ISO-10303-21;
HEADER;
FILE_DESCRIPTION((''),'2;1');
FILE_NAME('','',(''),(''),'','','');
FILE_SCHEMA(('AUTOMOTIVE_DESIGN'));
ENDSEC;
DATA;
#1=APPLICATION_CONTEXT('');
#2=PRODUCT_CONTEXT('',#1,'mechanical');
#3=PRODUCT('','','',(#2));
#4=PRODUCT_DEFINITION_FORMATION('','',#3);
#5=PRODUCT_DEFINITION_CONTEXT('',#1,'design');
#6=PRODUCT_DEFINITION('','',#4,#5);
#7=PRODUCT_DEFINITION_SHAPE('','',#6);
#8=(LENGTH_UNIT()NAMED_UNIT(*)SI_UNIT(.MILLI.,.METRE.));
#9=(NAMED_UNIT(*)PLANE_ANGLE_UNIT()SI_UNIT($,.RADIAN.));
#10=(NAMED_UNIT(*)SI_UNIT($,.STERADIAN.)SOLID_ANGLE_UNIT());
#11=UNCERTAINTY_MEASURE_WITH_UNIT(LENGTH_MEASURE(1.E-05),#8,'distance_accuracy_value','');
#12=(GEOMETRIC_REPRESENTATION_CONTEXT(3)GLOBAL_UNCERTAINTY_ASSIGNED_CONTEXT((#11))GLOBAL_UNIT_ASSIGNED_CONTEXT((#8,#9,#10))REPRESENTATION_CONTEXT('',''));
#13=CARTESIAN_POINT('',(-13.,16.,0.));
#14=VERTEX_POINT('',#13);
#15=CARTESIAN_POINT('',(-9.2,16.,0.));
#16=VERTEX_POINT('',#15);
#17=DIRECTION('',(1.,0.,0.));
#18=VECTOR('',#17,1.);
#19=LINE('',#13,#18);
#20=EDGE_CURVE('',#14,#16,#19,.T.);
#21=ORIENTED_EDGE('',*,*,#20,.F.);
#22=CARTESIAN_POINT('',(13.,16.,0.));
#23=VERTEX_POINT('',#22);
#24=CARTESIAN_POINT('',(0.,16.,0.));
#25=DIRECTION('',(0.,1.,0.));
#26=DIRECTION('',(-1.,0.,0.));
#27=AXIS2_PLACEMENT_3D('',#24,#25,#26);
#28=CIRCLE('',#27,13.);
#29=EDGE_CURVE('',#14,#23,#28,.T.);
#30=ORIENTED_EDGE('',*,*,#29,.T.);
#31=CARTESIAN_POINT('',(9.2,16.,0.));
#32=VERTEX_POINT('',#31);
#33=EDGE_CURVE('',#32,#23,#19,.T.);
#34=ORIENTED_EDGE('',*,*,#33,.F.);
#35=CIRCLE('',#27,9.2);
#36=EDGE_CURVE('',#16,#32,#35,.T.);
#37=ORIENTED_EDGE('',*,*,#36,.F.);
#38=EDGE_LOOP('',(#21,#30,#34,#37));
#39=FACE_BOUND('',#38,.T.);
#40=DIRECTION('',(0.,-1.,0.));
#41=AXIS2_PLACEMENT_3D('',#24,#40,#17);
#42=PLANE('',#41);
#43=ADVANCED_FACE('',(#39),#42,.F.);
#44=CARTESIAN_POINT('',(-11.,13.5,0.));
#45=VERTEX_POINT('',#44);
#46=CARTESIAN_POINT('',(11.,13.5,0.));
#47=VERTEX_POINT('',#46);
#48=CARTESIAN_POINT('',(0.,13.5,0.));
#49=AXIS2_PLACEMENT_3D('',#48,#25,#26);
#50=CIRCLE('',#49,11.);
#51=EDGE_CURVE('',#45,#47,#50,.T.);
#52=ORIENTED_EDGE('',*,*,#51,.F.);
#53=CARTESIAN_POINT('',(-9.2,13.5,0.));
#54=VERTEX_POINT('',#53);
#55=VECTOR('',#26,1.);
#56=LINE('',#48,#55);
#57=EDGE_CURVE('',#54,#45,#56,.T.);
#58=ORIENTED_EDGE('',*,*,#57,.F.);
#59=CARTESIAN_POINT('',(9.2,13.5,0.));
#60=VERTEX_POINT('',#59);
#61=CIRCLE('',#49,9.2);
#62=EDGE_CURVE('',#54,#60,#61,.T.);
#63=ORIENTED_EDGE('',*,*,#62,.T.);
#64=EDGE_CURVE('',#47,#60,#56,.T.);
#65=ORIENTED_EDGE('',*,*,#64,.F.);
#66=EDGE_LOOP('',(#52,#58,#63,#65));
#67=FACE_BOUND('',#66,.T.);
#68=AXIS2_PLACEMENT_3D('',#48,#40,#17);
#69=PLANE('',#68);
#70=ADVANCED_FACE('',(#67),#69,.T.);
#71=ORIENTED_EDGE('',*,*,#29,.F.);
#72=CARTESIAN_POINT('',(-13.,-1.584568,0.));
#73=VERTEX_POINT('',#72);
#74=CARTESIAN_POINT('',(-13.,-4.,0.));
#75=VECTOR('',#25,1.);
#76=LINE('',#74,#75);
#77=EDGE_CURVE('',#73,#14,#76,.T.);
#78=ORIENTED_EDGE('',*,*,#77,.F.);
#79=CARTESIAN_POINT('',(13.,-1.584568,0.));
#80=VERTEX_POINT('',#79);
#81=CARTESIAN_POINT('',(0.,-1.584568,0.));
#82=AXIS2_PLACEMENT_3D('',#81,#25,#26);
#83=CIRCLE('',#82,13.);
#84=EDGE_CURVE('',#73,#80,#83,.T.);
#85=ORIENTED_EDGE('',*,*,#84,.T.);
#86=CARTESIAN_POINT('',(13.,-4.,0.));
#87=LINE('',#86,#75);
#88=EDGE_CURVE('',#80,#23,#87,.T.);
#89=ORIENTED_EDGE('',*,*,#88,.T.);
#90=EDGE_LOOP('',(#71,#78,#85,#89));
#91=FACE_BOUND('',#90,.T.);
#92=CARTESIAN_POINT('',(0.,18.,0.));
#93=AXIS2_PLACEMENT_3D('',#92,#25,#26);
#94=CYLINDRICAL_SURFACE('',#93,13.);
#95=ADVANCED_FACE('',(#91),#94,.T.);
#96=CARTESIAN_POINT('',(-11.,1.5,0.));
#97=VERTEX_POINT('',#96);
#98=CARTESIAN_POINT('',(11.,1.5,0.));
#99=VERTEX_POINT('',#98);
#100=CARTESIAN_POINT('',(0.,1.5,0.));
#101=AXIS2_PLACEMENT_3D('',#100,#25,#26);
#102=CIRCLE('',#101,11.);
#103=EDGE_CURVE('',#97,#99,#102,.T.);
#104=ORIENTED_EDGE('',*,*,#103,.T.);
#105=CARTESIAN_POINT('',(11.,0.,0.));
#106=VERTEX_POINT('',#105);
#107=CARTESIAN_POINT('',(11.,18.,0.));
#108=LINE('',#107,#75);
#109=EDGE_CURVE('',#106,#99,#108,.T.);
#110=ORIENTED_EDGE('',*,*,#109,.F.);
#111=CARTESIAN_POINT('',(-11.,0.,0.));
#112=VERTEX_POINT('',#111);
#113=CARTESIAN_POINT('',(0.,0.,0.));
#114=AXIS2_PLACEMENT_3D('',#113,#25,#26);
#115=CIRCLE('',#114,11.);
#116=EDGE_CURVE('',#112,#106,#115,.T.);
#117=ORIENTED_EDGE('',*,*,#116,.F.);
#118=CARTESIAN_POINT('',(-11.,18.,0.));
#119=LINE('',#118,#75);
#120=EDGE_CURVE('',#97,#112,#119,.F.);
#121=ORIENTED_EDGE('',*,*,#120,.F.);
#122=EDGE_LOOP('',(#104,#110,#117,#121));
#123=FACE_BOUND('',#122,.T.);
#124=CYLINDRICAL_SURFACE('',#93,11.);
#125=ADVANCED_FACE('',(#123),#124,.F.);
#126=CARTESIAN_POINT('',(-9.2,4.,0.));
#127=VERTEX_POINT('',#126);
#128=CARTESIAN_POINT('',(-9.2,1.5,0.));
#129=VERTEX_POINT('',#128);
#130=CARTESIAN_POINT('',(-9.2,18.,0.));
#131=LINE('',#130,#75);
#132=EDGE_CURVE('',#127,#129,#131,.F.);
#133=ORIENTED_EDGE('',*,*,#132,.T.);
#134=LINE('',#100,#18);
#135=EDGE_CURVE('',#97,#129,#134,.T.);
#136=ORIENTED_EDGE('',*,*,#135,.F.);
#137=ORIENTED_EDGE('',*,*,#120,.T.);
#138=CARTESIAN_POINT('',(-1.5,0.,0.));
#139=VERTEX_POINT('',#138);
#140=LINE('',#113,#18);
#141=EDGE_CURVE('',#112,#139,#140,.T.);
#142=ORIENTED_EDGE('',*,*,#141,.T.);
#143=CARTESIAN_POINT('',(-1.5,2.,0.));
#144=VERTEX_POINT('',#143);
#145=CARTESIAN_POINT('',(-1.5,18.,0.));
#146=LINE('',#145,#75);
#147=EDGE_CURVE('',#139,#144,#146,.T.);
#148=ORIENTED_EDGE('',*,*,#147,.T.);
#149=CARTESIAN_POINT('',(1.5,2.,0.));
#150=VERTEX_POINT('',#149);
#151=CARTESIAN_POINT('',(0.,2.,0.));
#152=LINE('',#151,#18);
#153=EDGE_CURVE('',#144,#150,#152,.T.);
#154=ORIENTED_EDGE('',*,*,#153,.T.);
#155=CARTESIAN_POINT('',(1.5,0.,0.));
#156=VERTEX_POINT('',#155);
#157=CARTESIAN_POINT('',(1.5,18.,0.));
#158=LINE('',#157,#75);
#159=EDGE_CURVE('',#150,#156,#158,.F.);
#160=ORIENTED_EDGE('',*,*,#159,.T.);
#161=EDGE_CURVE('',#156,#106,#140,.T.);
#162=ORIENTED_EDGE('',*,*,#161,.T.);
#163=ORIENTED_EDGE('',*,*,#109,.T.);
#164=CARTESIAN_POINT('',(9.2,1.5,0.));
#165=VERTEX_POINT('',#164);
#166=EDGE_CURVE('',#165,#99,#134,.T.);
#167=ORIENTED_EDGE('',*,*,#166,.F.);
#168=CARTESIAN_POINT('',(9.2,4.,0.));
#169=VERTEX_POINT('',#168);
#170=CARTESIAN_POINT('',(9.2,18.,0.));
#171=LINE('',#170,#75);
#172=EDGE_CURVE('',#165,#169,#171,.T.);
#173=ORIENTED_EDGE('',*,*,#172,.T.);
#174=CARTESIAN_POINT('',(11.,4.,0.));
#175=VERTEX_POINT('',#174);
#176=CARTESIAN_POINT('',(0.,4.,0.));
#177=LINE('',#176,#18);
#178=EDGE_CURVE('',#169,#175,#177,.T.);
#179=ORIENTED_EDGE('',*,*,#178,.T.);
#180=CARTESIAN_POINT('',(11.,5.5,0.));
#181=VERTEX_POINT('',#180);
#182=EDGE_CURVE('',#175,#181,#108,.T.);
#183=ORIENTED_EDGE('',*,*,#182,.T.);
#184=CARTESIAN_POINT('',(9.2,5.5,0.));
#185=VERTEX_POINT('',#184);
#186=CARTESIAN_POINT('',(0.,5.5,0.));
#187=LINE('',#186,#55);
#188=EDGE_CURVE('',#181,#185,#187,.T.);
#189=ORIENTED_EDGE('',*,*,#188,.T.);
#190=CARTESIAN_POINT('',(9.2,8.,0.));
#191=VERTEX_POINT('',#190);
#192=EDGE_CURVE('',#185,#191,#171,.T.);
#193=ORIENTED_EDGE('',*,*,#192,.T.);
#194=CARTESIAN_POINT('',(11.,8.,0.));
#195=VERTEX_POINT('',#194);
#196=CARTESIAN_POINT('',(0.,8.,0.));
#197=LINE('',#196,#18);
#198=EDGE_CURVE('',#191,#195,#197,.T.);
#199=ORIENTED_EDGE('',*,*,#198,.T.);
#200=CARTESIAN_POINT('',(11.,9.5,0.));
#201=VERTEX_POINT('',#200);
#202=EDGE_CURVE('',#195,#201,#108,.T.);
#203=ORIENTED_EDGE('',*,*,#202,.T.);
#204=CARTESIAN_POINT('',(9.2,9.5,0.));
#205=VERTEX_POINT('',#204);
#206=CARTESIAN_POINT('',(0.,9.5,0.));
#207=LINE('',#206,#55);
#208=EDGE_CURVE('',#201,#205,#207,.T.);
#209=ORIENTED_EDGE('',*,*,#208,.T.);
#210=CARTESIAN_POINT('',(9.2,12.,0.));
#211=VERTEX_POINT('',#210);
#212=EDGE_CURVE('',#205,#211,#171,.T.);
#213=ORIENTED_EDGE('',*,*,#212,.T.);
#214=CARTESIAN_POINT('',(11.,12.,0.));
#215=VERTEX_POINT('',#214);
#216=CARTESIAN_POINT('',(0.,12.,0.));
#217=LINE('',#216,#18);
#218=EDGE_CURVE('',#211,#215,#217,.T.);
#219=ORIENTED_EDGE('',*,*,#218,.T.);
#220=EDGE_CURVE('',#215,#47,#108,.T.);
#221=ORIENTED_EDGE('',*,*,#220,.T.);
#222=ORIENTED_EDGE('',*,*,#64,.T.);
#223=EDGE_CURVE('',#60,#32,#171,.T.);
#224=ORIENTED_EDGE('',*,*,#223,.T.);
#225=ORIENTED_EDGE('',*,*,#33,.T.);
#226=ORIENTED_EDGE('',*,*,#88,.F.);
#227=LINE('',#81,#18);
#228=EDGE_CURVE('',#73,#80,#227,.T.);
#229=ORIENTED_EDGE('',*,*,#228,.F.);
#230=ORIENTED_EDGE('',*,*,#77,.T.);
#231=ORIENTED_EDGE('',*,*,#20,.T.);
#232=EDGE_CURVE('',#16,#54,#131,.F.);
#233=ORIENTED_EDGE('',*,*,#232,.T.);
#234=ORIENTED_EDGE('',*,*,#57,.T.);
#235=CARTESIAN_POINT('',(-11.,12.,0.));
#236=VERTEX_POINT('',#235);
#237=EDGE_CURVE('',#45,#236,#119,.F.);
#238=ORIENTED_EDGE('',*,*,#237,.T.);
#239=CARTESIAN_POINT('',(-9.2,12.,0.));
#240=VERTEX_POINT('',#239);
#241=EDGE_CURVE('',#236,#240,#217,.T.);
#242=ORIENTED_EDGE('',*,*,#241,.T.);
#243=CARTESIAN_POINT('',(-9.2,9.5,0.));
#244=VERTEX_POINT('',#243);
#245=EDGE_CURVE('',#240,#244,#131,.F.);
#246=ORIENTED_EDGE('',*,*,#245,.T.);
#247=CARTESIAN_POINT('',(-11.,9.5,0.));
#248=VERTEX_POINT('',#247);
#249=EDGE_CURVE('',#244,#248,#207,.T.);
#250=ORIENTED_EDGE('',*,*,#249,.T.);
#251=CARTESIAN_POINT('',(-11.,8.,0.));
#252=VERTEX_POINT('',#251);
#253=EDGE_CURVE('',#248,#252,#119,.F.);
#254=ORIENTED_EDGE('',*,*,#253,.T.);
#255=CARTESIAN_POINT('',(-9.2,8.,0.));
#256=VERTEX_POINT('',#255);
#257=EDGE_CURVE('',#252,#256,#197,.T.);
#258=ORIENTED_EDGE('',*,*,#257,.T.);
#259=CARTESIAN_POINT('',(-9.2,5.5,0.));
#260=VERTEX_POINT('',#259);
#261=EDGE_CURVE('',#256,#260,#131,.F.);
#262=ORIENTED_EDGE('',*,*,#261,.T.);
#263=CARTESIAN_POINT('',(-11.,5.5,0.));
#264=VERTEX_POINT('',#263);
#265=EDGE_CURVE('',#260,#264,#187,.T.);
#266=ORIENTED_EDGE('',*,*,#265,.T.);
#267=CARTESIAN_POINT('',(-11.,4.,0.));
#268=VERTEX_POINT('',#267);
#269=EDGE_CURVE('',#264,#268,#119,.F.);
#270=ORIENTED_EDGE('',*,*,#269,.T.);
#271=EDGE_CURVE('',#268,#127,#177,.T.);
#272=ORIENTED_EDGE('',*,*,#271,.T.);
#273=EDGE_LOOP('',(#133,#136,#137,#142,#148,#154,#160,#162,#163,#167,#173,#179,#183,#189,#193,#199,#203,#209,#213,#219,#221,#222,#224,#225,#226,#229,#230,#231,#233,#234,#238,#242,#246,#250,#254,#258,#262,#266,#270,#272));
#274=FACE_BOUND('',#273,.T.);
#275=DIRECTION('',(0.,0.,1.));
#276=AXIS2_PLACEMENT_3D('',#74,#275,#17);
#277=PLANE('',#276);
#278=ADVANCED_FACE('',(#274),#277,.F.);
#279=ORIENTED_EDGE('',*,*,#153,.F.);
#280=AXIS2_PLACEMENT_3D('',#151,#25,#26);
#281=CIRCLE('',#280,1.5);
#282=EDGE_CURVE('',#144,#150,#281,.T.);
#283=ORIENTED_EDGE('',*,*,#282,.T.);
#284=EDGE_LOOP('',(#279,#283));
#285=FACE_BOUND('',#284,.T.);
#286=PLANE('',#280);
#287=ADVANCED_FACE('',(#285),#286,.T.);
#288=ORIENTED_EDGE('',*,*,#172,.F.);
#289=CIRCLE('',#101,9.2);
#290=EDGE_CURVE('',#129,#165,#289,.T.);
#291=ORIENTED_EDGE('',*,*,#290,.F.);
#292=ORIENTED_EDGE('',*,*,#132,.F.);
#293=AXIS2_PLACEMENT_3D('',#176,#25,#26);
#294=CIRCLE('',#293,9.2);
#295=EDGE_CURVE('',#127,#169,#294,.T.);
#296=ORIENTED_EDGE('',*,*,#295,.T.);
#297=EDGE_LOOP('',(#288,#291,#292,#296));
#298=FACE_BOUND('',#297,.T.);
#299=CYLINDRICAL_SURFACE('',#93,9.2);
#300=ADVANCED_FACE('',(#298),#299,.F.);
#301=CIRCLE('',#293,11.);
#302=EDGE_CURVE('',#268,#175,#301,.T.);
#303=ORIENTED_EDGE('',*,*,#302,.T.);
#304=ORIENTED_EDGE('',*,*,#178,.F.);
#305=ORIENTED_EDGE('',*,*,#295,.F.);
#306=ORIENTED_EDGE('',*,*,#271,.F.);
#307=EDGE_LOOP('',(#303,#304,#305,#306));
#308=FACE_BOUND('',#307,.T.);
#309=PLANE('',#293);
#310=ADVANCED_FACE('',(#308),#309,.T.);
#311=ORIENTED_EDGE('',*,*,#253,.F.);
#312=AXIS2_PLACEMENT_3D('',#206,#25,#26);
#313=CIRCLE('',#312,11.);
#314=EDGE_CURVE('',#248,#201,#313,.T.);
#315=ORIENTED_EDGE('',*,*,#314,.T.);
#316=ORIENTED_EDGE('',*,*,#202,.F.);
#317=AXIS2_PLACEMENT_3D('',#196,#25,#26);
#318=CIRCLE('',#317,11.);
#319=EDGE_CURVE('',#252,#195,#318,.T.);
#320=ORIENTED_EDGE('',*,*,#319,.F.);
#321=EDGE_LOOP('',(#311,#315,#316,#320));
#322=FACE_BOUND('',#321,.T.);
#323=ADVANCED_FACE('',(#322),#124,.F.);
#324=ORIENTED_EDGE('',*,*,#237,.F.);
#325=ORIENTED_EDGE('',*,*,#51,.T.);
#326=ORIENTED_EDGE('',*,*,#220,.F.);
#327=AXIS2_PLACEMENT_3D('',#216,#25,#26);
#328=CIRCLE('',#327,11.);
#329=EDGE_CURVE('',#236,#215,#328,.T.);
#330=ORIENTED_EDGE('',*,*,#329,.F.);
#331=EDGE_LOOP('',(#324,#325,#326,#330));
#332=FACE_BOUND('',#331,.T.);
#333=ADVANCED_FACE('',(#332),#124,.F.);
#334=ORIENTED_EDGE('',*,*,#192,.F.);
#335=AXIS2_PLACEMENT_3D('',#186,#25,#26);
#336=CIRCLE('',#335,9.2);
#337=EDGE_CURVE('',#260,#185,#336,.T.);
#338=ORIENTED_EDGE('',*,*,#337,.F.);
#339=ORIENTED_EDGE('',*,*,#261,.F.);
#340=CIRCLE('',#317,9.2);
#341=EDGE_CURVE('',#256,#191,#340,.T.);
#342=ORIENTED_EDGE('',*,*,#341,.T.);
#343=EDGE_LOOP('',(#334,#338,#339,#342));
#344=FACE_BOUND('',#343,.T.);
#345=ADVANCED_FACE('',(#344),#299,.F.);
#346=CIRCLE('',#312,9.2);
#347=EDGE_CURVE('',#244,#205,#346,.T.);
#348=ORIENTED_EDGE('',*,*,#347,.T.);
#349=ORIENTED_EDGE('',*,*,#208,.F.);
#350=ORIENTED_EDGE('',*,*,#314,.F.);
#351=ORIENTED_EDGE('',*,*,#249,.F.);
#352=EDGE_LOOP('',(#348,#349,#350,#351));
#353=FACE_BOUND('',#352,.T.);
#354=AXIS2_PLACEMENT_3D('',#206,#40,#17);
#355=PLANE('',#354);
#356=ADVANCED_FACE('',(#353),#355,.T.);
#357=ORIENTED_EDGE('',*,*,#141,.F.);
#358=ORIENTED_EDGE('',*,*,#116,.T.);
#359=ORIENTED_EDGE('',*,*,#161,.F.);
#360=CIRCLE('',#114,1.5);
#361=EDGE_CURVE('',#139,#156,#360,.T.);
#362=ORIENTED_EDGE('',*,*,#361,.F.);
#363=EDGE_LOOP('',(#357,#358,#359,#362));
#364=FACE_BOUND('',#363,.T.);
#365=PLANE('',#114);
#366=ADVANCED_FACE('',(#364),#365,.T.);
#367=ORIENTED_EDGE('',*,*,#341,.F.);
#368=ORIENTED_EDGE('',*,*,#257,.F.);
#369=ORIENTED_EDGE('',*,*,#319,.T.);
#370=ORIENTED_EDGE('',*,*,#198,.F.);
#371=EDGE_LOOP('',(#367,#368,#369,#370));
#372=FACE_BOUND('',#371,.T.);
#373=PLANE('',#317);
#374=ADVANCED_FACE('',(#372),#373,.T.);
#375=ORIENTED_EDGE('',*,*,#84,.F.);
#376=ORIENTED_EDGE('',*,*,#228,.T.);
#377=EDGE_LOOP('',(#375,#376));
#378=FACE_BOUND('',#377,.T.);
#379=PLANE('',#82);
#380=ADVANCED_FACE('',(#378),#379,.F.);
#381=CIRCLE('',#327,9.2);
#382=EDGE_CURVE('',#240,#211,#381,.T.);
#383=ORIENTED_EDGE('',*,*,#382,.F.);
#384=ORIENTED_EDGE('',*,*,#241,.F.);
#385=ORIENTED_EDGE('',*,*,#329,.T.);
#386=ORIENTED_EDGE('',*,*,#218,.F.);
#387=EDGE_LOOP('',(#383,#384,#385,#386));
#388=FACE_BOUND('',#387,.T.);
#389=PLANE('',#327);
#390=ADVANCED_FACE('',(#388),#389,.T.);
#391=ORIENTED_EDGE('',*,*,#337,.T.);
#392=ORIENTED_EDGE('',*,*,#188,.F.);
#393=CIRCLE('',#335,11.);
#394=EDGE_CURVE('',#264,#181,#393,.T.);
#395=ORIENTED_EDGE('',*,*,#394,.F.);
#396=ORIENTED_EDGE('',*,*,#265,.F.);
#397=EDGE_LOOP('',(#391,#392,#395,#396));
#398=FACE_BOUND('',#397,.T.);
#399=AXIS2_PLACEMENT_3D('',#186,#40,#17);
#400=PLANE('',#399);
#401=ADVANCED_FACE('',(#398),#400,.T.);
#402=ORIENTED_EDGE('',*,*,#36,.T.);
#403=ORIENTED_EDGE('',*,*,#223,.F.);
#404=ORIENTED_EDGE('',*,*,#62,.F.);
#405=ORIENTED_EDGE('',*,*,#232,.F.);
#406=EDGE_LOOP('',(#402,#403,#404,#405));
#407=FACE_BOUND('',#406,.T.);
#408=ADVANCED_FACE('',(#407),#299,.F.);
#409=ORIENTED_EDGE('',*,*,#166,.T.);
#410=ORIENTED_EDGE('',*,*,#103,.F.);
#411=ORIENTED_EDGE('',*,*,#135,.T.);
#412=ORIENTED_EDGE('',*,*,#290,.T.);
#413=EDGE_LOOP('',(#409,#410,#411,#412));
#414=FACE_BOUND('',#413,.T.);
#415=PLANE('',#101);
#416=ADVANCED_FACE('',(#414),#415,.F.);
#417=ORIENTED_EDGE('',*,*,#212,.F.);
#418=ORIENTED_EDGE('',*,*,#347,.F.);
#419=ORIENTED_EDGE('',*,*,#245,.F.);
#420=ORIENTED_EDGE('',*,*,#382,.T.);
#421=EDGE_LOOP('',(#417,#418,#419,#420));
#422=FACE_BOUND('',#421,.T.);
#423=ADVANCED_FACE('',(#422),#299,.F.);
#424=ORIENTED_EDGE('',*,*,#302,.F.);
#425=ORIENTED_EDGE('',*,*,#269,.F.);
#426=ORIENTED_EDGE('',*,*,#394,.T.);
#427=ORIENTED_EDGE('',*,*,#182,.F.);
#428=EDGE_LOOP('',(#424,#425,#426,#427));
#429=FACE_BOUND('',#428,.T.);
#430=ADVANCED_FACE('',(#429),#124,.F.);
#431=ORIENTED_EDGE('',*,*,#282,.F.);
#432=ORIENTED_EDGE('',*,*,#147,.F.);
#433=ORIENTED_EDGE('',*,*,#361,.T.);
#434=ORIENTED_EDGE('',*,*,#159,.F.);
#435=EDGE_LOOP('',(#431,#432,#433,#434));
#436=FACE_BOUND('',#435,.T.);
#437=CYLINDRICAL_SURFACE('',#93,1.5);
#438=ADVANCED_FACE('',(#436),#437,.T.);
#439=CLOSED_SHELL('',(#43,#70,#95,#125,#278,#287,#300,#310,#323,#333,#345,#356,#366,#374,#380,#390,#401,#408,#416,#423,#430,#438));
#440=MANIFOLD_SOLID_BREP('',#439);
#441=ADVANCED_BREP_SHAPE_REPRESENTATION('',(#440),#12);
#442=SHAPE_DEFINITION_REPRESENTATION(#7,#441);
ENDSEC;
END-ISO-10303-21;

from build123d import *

# Parameters (mm, degrees)
CUT_EXTRUDE_START   = -20
CUT_EXTRUDE_1_DEPTH = 20


with BuildPart() as part:
    # 草图1 → 旋转1 (revolve)
    with BuildSketch(Plane.XY, mode=Mode.PRIVATE) as revolve_1_sk:
        Polygon((0, 2), (1.5, 2), (1.5, 0), (11, 0), (11, 1.5), (9.2, 1.5), (9.2, 4), (11, 4), (11, 5.5), (9.2, 5.5), (9.2, 8), (11, 8), (11, 9.5), (9.2, 9.5), (9.2, 12), (11, 12), (11, 13.5), (9.2, 13.5), (9.2, 16), (13, 16), (13, -1.584568421), (0, -1.584568421), (0, 0), align=None)
    revolve(revolve_1_sk.sketch.rotate(Axis((0, 18, 0), (0, -1, 0)), 180), axis=Axis((0, 18, 0), (0, -1, 0)))

    # 草图2 → 切除-拉伸1 (cut)
    with BuildSketch(Plane(origin=(0, 16, 0), x_dir=(1, 0, 0), z_dir=(0, 1, 0)).offset(CUT_EXTRUDE_START)):
        with BuildLine():
            Line((-13, 0), (13, 0))
            ThreePointArc((13, 0), (0, 13), (-13, 0))
        make_face()
    extrude(amount=CUT_EXTRUDE_1_DEPTH, mode=Mode.SUBTRACT)


solid = part.part
